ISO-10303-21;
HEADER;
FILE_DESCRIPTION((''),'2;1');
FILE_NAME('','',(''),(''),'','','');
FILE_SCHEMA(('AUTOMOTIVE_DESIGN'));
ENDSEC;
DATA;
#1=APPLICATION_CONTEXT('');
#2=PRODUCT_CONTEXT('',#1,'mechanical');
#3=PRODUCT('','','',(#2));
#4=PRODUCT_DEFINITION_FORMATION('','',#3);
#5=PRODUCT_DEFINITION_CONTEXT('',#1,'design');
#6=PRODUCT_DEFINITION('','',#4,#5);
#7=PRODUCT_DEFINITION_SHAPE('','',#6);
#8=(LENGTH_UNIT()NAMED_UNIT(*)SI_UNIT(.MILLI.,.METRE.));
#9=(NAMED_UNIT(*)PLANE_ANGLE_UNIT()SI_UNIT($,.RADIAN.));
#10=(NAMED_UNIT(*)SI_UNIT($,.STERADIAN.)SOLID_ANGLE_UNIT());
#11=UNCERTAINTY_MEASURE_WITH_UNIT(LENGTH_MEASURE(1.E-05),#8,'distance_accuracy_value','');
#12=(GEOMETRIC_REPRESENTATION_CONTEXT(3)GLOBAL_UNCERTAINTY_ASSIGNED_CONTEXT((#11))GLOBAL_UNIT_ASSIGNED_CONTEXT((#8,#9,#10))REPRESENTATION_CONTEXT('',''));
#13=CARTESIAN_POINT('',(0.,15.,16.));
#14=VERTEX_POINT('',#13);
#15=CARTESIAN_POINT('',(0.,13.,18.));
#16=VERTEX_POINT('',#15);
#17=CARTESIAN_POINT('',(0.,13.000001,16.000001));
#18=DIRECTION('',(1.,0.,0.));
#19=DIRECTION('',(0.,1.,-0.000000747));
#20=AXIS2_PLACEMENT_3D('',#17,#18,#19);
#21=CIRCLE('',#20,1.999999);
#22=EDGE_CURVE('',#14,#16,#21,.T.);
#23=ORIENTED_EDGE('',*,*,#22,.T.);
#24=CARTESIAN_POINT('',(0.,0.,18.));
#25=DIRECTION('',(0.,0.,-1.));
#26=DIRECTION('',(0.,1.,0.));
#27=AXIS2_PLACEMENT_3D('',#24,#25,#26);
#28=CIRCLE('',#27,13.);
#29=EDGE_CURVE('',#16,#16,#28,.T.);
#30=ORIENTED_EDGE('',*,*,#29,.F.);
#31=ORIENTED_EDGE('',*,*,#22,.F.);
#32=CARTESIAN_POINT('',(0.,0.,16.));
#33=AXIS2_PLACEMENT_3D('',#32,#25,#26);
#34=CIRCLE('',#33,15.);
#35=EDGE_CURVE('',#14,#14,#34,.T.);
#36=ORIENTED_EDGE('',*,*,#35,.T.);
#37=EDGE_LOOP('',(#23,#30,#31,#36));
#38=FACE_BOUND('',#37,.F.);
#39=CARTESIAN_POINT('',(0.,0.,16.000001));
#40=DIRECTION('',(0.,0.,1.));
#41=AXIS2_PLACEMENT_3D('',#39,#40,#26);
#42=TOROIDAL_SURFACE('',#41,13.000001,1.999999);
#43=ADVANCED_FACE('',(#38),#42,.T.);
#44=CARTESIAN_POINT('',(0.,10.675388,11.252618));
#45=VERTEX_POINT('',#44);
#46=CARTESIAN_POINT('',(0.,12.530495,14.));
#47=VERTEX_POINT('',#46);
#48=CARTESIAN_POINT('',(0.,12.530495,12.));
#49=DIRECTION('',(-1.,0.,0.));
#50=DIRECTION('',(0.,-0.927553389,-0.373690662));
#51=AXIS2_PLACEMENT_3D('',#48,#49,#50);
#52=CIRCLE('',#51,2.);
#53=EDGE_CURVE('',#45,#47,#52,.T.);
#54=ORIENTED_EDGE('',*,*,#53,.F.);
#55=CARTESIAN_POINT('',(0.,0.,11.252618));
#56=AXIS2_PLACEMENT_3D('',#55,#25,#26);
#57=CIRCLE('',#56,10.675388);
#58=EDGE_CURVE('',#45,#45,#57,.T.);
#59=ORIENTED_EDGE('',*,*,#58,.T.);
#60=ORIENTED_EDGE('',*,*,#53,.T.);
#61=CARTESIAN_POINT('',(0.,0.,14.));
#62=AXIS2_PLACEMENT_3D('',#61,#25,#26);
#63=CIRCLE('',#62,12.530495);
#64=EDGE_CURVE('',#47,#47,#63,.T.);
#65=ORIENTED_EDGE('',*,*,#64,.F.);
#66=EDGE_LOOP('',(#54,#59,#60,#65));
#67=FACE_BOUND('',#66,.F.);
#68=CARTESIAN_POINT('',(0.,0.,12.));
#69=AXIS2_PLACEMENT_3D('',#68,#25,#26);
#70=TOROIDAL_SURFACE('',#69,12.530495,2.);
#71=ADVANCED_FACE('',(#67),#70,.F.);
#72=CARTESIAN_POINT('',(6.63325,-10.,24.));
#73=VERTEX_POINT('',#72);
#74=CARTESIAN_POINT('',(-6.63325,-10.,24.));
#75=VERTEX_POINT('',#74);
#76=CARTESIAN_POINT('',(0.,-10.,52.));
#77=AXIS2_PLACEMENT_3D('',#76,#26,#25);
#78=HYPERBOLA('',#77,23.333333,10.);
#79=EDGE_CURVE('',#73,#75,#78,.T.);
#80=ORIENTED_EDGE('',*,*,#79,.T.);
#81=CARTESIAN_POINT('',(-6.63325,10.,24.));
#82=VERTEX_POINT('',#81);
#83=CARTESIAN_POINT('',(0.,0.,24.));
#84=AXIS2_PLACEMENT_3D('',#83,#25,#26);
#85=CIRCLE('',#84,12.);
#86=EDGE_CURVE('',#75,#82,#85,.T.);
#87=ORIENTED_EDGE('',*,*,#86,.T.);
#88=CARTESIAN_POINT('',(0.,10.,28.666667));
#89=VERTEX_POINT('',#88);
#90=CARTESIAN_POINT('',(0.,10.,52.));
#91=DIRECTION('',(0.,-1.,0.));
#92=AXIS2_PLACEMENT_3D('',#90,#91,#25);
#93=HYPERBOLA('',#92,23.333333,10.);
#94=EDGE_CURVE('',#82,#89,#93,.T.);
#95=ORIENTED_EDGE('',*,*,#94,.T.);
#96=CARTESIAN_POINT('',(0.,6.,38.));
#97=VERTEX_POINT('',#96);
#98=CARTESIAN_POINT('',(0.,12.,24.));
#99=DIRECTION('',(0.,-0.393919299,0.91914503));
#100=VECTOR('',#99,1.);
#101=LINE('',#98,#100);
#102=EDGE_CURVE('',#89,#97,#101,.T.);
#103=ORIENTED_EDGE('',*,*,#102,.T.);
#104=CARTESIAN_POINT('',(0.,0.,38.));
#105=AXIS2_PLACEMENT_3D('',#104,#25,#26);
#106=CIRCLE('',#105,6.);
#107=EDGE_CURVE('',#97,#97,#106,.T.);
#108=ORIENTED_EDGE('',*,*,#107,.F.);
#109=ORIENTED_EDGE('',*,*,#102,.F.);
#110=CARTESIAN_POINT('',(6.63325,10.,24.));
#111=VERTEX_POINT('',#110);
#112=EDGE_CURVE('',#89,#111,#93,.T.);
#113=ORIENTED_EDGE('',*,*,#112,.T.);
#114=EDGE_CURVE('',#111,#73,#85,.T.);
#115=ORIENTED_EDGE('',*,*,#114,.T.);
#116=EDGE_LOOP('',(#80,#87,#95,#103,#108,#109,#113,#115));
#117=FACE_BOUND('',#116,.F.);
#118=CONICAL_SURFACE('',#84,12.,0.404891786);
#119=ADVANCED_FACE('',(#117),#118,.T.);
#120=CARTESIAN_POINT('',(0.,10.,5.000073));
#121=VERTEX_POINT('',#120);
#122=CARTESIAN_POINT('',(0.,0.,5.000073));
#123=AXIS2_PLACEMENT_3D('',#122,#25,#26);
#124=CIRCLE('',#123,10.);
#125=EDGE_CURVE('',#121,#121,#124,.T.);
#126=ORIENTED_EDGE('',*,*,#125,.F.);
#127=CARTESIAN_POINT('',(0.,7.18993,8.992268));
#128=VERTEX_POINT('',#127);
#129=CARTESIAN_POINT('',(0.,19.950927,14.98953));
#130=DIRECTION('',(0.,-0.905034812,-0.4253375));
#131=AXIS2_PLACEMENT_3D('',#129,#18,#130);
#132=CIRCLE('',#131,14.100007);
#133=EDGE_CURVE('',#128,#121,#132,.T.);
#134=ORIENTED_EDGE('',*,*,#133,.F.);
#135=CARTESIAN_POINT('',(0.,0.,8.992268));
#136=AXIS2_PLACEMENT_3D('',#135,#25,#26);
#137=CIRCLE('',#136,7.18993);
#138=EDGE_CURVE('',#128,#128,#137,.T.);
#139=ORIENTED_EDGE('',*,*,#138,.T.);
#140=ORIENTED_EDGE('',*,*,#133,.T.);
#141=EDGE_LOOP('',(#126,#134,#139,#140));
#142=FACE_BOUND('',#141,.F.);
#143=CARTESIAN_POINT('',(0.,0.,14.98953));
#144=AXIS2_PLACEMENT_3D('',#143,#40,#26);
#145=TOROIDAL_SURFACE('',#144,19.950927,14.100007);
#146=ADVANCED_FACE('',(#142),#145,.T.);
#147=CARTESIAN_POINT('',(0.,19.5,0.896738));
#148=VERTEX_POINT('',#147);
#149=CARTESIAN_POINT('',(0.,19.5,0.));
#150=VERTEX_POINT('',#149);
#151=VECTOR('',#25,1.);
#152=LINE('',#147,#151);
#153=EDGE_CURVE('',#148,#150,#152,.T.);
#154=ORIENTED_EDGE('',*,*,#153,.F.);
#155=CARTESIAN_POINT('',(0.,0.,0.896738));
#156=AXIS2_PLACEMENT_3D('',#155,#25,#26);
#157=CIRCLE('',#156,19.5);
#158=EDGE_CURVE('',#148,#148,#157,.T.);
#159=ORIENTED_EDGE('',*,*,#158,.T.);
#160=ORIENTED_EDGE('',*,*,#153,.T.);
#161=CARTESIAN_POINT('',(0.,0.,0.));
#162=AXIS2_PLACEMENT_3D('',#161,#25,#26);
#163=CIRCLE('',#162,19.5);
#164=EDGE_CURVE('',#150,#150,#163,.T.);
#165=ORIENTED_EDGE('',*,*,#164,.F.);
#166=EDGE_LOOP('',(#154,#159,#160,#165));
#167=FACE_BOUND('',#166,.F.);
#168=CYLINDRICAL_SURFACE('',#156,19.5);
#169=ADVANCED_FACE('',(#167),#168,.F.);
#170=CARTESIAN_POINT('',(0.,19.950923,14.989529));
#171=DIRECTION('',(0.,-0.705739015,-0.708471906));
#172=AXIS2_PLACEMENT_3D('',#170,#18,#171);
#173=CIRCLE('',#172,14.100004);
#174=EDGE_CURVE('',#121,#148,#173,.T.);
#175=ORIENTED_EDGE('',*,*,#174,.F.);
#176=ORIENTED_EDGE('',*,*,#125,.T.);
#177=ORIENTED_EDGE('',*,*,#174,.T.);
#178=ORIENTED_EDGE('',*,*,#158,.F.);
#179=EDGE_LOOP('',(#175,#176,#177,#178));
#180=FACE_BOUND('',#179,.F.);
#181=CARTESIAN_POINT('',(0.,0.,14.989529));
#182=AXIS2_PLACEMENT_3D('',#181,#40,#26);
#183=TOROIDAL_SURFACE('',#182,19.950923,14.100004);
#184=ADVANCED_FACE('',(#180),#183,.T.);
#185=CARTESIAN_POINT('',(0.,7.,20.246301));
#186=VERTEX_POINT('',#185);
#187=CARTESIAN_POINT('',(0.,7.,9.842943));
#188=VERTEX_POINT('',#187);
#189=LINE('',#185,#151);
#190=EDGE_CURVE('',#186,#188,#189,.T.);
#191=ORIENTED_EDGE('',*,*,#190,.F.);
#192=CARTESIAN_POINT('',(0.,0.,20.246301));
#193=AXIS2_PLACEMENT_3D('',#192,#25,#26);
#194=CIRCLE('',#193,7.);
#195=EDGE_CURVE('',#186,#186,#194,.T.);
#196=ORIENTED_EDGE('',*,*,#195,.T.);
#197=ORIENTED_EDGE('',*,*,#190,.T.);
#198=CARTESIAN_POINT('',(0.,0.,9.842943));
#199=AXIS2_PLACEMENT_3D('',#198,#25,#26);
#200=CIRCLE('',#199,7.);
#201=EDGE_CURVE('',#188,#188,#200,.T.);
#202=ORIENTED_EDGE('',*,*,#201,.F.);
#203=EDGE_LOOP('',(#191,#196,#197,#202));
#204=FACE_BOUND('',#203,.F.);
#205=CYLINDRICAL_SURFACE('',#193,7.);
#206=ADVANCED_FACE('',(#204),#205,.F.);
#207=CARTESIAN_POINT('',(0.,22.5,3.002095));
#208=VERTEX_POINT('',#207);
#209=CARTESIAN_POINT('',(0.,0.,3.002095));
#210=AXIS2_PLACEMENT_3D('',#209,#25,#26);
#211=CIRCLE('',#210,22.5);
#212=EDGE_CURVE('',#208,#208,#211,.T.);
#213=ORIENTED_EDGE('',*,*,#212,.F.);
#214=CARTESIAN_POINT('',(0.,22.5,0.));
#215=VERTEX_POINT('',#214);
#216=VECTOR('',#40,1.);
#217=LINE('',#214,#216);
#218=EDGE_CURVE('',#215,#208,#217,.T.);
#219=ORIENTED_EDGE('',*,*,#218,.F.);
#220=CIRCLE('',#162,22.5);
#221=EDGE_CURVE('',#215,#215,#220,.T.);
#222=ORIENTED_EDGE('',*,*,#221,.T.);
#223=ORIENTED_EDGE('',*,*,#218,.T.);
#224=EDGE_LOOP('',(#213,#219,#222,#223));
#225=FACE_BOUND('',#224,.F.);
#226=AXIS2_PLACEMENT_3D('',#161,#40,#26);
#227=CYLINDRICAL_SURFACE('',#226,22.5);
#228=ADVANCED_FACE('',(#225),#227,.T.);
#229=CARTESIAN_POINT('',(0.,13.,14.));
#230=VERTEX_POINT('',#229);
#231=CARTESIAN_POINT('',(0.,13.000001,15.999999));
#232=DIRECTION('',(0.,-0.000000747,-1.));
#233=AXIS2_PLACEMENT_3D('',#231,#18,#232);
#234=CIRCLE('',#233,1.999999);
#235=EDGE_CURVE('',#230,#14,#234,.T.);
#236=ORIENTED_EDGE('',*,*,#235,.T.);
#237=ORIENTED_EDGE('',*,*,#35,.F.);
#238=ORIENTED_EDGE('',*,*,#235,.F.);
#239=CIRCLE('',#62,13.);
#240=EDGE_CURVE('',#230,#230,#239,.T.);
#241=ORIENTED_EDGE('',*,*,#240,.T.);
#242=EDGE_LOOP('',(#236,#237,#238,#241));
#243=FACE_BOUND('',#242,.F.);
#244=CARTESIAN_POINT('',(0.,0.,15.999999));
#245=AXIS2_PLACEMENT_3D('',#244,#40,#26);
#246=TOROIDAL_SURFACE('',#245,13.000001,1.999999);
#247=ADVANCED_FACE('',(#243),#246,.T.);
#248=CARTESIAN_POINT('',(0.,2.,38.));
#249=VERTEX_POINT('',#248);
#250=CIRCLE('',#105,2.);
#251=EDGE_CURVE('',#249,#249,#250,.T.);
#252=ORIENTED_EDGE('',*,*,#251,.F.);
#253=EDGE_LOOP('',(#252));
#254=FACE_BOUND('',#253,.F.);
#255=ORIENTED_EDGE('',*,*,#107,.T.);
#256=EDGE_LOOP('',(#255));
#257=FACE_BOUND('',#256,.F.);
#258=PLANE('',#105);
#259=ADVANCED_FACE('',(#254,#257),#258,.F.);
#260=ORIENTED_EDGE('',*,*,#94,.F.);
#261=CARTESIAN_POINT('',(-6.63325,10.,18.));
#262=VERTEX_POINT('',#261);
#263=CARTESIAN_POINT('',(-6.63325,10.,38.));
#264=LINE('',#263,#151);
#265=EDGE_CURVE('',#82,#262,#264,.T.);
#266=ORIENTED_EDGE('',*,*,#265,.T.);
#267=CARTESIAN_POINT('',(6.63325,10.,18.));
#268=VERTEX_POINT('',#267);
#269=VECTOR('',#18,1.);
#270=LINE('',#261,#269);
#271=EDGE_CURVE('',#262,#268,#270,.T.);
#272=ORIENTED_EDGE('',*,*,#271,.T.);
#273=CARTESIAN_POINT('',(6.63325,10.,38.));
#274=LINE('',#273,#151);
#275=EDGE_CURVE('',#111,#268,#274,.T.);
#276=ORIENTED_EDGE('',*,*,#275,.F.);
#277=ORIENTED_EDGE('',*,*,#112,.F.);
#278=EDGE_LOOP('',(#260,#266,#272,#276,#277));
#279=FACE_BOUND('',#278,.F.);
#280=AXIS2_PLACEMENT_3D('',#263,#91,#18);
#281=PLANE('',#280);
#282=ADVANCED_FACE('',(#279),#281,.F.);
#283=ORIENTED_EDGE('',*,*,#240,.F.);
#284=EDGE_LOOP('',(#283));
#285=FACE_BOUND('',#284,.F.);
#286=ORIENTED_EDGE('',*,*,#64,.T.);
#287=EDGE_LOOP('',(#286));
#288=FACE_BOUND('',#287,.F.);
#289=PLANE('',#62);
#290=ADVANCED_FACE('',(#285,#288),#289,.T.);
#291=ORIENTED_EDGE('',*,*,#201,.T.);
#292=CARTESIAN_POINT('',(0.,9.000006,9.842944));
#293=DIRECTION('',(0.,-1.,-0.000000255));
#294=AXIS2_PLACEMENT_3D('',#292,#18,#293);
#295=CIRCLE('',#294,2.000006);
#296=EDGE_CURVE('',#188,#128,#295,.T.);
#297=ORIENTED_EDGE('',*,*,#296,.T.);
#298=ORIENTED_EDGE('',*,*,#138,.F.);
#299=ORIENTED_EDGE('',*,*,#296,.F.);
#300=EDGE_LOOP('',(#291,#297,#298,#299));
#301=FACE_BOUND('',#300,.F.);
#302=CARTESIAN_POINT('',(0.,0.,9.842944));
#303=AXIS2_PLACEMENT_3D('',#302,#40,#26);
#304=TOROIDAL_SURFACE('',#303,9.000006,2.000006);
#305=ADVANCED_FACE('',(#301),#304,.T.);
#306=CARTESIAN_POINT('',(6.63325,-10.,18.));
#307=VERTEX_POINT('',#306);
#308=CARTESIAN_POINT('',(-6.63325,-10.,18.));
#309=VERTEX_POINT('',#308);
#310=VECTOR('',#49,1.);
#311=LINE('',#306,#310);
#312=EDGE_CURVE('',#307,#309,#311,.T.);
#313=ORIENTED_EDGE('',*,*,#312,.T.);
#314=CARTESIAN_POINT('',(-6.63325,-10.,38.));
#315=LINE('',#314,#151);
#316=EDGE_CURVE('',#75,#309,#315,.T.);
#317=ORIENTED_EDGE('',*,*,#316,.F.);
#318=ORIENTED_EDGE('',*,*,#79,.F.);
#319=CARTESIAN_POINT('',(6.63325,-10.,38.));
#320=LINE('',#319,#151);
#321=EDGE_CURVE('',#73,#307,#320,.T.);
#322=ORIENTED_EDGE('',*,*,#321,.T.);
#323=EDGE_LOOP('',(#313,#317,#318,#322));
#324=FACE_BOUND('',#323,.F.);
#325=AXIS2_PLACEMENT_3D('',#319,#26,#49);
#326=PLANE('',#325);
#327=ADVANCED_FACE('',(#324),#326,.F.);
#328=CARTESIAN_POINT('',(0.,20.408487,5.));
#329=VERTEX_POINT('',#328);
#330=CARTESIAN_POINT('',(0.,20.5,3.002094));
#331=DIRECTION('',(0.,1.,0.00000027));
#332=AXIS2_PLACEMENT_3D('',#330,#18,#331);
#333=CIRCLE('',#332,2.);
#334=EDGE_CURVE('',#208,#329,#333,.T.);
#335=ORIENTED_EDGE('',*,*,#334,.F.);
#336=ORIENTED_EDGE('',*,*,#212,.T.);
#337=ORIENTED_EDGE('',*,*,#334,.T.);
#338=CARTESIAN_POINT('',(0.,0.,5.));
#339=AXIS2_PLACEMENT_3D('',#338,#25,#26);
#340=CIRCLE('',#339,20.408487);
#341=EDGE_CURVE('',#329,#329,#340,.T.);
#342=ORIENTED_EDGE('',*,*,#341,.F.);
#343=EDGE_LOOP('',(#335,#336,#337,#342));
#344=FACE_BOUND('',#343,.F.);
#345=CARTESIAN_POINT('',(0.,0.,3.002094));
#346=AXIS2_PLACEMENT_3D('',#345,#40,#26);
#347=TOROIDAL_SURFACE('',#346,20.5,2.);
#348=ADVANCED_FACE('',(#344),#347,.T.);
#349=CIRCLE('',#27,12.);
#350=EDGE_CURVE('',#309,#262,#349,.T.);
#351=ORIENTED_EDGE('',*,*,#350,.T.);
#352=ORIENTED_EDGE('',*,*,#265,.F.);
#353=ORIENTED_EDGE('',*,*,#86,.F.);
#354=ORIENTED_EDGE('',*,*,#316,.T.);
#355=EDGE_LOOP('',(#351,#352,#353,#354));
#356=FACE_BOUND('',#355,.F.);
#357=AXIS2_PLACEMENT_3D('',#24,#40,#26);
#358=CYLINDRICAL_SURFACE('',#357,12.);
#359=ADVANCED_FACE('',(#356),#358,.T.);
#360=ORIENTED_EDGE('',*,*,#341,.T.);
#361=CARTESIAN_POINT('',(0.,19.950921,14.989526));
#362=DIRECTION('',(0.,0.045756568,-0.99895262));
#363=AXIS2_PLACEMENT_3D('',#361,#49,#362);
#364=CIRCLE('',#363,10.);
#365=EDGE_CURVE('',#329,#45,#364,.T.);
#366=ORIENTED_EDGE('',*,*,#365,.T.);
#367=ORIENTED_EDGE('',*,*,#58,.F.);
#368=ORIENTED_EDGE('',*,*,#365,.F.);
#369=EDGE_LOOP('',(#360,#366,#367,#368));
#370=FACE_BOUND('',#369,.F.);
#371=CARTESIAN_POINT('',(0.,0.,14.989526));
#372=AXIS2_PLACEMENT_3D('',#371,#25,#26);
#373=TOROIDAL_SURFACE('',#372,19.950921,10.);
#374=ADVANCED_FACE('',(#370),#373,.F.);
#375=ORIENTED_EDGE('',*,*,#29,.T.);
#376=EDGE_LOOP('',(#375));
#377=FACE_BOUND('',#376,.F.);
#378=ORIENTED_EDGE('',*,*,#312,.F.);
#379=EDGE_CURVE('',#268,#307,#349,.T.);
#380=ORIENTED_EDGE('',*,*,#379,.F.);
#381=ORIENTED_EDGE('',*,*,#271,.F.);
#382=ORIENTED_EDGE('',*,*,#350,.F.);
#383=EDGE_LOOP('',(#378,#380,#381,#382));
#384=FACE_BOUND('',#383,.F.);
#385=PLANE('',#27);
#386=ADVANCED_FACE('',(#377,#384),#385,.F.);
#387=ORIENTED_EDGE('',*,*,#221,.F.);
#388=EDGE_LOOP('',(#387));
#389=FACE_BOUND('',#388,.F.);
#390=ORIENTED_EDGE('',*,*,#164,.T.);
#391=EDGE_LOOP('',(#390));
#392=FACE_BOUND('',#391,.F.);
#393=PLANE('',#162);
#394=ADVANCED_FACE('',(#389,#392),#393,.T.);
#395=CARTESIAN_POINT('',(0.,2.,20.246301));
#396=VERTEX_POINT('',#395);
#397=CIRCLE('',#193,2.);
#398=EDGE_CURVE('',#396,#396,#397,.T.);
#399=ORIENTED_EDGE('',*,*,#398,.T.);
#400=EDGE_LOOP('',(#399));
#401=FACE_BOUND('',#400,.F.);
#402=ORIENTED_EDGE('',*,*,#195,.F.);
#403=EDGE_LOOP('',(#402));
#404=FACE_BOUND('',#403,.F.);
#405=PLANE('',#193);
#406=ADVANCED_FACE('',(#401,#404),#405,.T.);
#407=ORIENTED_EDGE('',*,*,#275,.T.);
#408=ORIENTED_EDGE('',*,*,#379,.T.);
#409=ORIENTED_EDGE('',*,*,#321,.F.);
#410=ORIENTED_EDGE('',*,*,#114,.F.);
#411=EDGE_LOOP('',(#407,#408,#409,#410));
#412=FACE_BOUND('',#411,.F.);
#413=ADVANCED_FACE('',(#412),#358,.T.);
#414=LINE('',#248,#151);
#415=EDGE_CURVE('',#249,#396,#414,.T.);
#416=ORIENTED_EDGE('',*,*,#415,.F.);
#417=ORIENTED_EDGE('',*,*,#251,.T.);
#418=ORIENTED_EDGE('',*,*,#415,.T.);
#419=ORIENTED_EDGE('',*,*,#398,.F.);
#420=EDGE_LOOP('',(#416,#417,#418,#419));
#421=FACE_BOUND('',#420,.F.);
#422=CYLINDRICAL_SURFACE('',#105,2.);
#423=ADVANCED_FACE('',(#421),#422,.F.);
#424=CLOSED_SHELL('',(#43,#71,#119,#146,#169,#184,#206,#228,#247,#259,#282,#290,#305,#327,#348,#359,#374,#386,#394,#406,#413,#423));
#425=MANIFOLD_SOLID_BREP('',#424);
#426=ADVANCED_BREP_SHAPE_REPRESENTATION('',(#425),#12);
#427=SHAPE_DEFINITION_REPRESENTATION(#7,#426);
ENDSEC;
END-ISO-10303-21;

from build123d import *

# Parameters (mm, degrees)
F3_DEPTH = 20


with BuildPart() as f1:
    # F0 (on Right) → F1 (revolve)
    with BuildSketch(Plane.YZ):
        with BuildLine():
            Line((19.5, 0), (22.5, 0))
            Line((22.5, 0), (22.5, 3.002095))
            ThreePointArc((22.5, 3.002095), (21.88148, 4.448301), (20.408487, 5))
            ThreePointArc((20.408487, 5), (14.546021, 6.576022), (10.675388, 11.252618))
            ThreePointArc((10.675388, 11.252618), (10.872972, 13.119204), (12.530495, 14))
            Line((12.530495, 14), (13, 14))
            ThreePointArc((13, 14), (14.414214, 14.585786), (15, 16))
            ThreePointArc((15, 16), (14.414214, 17.414214), (13, 18))
            Line((13, 18), (12, 18))
            Line((12, 18), (12, 24))
            Line((12, 24), (6, 38))
            Line((6, 38), (2, 38))
            Line((2, 38), (2, 20.246301))
            Line((2, 20.246301), (7, 20.246301))
            Line((7, 20.246301), (7, 9.842943))
            ThreePointArc((7, 9.842943), (7.04806, 9.407133), (7.18993, 8.992268))
            ThreePointArc((7.18993, 8.992268), (8.420867, 6.873625), (10, 5.000073))
            ThreePointArc((10, 5.000073), (14.359953, 2.045374), (19.5, 0.896738))
            Line((19.5, 0.896738), (19.5, 0))
        make_face()
    revolve(axis=Axis((0, 0, 19), (0, 0, -1)))

    # F2 (on face) → F3 (cut, through all)
    with BuildSketch(Plane.XY.offset(38)):
        with BuildLine():
            Line((-6.63325, 10), (6.63325, 10))
            ThreePointArc((6.63325, 10), (0, 12), (-6.63325, 10))
        make_face()
        with BuildLine():
            ThreePointArc((-6.63325, -10), (0, -12), (6.63325, -10))
            Line((6.63325, -10), (-6.63325, -10))
        make_face()
    extrude(amount=-F3_DEPTH, mode=Mode.SUBTRACT)


solid = f1.part
